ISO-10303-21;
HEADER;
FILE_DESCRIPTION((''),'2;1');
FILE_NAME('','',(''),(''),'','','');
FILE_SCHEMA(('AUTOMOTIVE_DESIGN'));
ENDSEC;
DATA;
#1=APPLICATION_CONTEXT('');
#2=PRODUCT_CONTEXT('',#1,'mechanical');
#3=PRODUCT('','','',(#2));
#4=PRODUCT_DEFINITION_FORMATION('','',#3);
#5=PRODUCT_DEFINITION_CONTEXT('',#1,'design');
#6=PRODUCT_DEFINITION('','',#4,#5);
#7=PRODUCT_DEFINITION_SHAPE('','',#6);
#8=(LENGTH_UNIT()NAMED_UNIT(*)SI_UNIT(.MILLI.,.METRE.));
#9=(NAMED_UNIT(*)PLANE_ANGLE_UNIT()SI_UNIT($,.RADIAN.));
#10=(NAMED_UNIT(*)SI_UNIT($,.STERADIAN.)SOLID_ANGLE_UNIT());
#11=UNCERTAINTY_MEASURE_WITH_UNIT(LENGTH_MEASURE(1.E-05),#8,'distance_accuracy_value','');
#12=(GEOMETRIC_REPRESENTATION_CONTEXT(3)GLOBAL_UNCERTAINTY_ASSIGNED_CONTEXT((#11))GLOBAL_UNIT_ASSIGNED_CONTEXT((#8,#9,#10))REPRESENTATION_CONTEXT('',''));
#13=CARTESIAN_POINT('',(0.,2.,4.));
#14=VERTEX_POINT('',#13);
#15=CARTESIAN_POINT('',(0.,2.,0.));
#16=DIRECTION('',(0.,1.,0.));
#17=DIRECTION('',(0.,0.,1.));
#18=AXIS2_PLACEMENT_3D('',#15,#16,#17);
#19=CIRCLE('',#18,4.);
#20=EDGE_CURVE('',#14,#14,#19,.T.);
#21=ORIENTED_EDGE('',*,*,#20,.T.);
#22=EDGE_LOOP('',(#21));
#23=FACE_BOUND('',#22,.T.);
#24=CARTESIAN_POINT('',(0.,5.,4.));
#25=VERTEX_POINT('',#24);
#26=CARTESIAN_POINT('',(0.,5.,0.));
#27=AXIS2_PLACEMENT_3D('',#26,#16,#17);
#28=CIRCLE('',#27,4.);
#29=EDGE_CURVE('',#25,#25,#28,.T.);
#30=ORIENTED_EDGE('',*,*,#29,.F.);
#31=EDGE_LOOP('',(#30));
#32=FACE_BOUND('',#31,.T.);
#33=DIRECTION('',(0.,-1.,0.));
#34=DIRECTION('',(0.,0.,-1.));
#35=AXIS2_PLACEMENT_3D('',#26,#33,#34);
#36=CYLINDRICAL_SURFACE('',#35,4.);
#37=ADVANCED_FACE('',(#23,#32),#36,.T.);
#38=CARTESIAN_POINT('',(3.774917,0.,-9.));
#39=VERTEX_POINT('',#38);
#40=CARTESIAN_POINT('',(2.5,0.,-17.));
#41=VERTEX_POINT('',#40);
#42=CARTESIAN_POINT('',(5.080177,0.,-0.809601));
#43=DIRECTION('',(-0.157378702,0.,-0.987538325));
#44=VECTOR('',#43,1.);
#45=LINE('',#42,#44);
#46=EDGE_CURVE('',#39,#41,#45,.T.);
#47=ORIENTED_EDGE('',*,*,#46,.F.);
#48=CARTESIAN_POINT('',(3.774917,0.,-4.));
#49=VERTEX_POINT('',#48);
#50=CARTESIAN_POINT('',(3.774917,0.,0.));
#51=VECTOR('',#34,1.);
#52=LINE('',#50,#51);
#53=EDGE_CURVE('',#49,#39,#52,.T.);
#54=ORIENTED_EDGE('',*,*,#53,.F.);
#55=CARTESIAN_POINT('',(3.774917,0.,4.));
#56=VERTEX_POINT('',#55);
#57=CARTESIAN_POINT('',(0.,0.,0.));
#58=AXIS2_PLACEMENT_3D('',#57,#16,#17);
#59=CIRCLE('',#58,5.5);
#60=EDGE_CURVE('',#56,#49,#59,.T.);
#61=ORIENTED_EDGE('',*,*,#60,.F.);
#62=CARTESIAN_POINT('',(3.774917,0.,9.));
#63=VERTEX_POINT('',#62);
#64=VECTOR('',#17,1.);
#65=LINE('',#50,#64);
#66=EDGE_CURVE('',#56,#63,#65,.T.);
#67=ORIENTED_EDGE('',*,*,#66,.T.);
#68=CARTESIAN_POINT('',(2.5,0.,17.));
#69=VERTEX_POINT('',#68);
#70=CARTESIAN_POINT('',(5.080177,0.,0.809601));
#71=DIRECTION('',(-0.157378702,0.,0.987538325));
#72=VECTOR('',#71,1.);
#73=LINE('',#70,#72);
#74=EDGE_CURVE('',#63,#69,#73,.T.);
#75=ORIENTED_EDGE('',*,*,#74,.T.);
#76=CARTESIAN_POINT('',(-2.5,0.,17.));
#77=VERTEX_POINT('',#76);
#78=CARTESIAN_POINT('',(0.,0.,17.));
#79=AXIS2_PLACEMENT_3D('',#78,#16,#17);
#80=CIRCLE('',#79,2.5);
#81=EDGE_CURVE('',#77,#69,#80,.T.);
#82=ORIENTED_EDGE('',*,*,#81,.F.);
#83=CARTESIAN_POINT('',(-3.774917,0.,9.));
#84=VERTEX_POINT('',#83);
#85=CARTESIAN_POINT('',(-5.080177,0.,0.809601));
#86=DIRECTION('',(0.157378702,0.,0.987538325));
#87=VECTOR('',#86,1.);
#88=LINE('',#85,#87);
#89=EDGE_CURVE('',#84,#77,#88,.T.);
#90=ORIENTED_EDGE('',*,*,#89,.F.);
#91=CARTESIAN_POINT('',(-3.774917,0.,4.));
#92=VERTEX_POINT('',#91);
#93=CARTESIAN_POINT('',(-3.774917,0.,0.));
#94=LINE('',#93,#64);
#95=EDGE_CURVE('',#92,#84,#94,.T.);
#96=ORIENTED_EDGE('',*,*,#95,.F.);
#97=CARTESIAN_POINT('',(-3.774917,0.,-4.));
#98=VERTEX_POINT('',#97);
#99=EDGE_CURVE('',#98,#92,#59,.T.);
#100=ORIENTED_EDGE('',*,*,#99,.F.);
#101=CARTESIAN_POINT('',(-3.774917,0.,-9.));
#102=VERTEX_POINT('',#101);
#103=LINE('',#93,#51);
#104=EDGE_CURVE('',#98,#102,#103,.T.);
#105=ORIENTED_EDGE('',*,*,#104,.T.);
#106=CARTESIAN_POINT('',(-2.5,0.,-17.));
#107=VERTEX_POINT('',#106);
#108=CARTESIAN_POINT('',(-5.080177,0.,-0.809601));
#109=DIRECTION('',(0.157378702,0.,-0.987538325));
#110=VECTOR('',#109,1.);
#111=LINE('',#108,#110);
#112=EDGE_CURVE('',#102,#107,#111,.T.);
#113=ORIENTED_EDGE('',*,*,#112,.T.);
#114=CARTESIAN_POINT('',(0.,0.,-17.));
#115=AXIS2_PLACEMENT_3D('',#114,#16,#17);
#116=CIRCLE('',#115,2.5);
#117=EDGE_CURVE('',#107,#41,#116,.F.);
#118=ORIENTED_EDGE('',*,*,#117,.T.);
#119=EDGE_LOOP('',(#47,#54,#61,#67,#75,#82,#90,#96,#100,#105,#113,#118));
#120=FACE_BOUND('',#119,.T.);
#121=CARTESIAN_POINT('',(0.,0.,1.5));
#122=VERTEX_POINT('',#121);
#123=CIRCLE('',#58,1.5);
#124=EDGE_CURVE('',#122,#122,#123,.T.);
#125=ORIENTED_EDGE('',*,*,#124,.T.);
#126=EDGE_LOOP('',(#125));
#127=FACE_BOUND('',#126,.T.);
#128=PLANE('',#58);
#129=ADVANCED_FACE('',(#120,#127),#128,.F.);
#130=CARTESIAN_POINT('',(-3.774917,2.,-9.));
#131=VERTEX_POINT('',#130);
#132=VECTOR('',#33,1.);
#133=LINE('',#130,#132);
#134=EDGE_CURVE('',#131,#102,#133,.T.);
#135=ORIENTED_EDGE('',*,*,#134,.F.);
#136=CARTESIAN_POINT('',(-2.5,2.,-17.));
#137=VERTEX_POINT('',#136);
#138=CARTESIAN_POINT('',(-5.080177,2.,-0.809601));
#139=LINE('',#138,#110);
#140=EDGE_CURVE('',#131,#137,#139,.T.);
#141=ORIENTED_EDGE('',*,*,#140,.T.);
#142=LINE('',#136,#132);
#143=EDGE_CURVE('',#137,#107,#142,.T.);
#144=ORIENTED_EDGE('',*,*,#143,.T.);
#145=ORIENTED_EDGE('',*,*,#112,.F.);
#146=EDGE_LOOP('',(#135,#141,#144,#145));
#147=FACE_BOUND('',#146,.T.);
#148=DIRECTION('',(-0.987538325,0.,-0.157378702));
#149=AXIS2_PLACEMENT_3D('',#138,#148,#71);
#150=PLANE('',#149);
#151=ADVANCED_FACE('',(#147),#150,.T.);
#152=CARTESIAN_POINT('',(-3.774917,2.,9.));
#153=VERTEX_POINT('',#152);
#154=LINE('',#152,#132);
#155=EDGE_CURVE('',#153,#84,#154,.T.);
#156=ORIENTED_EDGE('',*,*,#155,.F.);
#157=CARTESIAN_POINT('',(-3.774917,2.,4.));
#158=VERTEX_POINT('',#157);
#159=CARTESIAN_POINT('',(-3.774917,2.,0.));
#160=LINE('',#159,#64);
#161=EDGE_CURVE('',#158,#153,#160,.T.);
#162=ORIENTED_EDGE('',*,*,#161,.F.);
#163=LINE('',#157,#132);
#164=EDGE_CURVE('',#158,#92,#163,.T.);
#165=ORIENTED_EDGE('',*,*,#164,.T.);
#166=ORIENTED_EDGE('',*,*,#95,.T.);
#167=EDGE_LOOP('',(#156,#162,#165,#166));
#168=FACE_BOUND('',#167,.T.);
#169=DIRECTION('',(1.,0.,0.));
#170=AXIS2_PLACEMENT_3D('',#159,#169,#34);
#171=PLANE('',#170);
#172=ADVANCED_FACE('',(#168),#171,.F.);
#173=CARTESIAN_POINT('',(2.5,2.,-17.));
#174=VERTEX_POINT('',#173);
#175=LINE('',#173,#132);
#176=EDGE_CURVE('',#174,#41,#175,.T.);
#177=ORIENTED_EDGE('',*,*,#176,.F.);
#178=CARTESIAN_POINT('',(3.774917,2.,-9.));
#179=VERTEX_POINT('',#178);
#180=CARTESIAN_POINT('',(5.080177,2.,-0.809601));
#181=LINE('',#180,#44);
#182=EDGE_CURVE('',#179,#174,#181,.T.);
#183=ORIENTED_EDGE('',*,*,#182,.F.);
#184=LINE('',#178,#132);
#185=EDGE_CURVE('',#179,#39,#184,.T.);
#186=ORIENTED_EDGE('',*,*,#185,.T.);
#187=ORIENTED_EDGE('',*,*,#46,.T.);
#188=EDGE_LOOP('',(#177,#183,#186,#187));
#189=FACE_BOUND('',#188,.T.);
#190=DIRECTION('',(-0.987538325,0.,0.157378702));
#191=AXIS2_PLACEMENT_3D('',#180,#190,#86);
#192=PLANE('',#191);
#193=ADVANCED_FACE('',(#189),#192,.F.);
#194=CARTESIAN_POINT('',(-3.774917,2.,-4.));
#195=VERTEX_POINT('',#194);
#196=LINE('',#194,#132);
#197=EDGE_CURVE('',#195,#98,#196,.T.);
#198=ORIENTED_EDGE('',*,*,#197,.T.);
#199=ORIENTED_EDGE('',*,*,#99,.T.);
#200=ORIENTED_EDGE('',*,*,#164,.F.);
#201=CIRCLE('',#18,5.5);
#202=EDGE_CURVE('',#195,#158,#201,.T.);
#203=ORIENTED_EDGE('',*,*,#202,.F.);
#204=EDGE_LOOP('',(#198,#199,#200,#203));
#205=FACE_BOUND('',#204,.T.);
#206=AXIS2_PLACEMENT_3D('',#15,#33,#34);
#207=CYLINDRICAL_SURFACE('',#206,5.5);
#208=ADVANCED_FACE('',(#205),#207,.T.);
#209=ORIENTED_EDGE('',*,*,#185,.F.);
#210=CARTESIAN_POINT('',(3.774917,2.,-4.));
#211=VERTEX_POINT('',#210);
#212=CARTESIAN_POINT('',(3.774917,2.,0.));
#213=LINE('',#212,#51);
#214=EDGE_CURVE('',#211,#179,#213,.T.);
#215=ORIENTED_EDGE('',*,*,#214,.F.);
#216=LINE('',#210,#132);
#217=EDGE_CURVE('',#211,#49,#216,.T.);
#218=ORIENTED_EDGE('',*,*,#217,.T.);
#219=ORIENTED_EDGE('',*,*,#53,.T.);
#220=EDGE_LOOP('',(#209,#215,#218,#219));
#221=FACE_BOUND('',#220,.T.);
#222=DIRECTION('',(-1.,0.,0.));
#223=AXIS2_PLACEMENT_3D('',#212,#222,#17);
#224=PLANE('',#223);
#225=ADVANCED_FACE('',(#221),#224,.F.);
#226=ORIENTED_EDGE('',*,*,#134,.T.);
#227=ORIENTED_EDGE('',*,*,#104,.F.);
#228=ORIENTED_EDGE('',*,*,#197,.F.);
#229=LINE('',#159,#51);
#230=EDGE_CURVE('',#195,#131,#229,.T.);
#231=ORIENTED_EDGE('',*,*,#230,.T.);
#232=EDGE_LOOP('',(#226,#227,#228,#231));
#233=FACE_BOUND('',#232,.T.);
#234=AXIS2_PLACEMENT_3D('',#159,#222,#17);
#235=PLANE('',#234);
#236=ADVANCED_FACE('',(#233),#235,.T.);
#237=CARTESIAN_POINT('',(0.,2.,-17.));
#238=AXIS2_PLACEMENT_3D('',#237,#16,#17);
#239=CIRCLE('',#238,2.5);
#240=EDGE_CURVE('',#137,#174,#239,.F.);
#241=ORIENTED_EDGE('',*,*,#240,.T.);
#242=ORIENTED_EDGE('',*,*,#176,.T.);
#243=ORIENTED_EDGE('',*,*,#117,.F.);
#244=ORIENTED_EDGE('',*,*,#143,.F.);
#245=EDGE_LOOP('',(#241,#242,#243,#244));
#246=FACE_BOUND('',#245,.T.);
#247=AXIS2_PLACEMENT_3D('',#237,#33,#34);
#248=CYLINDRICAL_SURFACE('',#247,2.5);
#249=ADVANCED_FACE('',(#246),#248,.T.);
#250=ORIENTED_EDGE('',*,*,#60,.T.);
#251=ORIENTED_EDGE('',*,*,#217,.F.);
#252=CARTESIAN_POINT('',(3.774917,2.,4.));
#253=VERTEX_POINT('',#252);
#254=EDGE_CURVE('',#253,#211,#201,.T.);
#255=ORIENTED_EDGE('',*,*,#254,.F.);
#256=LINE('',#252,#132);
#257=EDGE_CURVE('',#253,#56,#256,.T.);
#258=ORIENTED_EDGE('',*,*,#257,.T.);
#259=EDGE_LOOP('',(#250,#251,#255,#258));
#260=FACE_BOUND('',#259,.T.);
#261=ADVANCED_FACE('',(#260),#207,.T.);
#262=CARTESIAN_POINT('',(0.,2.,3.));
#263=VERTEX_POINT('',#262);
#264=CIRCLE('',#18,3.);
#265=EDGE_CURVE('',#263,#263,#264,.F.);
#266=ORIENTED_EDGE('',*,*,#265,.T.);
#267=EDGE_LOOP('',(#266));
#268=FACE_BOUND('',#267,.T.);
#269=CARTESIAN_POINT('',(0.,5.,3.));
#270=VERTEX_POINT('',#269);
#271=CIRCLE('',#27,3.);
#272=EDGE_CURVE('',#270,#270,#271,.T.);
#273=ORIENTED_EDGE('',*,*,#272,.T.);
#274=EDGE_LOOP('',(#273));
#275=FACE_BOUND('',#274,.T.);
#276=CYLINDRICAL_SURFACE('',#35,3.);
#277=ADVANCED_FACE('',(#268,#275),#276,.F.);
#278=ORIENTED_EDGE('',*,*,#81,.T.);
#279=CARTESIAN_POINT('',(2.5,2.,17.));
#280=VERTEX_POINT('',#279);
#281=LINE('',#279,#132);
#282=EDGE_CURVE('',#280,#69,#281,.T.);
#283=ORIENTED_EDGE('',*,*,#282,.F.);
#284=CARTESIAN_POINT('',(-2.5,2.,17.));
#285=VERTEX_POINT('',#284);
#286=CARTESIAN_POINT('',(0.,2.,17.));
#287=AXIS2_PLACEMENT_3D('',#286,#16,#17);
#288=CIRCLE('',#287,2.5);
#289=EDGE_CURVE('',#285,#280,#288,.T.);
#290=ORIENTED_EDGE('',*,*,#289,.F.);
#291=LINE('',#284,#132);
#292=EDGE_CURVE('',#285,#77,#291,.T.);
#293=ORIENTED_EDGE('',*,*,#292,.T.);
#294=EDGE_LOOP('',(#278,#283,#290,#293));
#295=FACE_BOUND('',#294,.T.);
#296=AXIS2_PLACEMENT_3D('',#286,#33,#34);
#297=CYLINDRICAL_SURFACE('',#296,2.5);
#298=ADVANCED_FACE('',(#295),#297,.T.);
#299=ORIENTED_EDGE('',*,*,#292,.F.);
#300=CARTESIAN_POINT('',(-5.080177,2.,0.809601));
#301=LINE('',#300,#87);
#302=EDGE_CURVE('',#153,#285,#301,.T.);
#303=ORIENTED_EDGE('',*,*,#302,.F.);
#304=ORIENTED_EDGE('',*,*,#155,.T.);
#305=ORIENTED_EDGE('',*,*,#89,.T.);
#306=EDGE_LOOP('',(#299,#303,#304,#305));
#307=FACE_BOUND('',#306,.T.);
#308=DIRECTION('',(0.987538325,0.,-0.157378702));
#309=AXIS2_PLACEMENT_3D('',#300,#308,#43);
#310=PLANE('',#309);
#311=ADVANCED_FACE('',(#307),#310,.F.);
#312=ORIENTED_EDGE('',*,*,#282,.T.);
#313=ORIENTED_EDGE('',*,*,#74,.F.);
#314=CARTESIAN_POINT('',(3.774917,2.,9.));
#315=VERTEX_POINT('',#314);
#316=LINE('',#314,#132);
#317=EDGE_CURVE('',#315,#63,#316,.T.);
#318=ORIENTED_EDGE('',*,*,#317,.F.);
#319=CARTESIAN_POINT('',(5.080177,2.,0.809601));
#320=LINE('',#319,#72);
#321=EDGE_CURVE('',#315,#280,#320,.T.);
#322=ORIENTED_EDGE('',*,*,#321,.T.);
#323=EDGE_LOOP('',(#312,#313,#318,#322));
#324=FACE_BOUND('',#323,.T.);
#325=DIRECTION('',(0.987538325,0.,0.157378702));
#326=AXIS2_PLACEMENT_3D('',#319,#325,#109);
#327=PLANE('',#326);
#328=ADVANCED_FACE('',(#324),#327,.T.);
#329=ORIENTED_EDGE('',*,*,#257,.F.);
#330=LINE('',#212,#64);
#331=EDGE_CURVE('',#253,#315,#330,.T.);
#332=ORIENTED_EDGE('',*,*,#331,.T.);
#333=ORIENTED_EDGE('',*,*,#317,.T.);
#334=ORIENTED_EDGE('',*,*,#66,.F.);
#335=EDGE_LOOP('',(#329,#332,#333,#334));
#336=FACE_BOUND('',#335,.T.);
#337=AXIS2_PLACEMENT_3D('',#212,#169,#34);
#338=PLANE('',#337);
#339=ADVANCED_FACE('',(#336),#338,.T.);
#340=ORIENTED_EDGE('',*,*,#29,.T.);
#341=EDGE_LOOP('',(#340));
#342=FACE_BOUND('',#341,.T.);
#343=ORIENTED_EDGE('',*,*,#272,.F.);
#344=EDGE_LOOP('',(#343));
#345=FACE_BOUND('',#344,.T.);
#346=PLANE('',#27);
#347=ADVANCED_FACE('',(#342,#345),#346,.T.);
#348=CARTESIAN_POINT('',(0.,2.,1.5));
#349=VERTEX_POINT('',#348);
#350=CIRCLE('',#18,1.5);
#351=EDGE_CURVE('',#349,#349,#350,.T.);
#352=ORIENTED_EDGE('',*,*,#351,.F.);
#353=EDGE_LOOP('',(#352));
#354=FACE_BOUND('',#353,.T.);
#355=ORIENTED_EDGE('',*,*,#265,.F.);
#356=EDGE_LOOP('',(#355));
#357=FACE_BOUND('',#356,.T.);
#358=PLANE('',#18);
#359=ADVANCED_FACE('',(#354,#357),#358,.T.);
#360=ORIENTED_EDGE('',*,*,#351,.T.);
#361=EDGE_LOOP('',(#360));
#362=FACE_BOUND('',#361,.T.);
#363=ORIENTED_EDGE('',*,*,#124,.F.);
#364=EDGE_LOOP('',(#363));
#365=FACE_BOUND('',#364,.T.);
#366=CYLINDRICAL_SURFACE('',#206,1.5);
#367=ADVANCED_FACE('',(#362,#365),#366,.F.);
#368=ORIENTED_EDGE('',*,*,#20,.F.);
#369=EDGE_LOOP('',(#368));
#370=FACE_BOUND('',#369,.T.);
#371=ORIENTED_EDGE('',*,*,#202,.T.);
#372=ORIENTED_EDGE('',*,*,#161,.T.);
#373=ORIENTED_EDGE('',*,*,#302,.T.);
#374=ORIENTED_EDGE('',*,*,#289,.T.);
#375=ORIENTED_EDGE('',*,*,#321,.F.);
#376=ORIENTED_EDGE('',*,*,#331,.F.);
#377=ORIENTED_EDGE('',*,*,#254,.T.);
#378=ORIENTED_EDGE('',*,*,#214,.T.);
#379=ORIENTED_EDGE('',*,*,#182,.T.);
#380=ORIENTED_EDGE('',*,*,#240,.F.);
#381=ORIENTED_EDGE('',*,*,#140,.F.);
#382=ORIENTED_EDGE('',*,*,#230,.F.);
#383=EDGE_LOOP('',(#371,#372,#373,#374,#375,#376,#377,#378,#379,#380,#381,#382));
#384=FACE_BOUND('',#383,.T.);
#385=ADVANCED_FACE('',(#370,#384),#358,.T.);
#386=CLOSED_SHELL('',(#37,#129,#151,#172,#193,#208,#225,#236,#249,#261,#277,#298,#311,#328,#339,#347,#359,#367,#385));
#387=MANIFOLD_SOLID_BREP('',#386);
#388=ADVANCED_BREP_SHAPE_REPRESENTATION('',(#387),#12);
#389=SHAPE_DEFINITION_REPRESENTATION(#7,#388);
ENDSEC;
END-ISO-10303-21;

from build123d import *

# Parameters (mm, degrees)
SKETCH1_R           = 1.5
BOSS_EXTRUDE1_DEPTH = 2
SKETCH2_R           = 4
SKETCH2_R_2         = 3
BOSS_EXTRUDE2_DEPTH = 3


with BuildPart() as part:
    # Sketch1 → Boss-Extrude1 (new body)
    # profile 1 of 5: a face of its own
    with BuildSketch(Plane(origin=(0, 0, 0), x_dir=(1, 0, 0), z_dir=(0, 1, 0))):
        with BuildLine():
            Line((-3.774917218, 9), (-3.774917218, 4))
            ThreePointArc((-3.774917218, 4), (0, 5.5), (3.774917218, 4))
            Line((3.774917218, 4), (3.774917218, 9))
            Line((3.774917218, 9), (2.5, 17))
            ThreePointArc((2.5, 17), (0, 19.5), (-2.5, 17))
            Line((-2.5, 17), (-3.774917218, 9))
        make_face()
    # profile 2 of 5: a face of its own
    with BuildSketch(Plane(origin=(0, 0, 0), x_dir=(1, 0, 0), z_dir=(0, 1, 0))):
        with BuildLine():
            Line((3.774917218, 4), (-3.774917218, 4))
            ThreePointArc((-3.774917218, 4), (-5.5, 0), (-3.774917218, -4))
            Line((-3.774917218, -4), (3.774917218, -4))
            ThreePointArc((3.774917218, -4), (5.050348735, -2.178067412), (5.5, 0))
            ThreePointArc((5.5, 0), (5.050348735, 2.178067412), (3.774917218, 4))
        make_face()
        with Locations(Location((0, 0, 0), (0, 0, 270))):
            Circle(SKETCH1_R, mode=Mode.SUBTRACT)
    # profile 3 of 5: a face of its own
    with BuildSketch(Plane(origin=(0, 0, 0), x_dir=(1, 0, 0), z_dir=(0, 1, 0))):
        with BuildLine():
            ThreePointArc((3.774917218, 4), (0, 5.5), (-3.774917218, 4))
            Line((-3.774917218, 4), (3.774917218, 4))
        make_face()
    # profile 4 of 5: a face of its own
    with BuildSketch(Plane(origin=(0, 0, 0), x_dir=(1, 0, 0), z_dir=(0, 1, 0))):
        with BuildLine():
            Line((3.774917218, -4), (-3.774917218, -4))
            ThreePointArc((-3.774917218, -4), (0, -5.5), (3.774917218, -4))
        make_face()
    # profile 5 of 5: a face of its own
    with BuildSketch(Plane(origin=(0, 0, 0), x_dir=(1, 0, 0), z_dir=(0, 1, 0))):
        with BuildLine():
            ThreePointArc((3.774917218, -4), (0, -5.5), (-3.774917218, -4))
            Line((-3.774917218, -4), (-3.774917218, -9))
            Line((-3.774917218, -9), (-2.5, -17))
            ThreePointArc((-2.5, -17), (0, -19.5), (2.5, -17))
            Line((2.5, -17), (3.774917218, -9))
            Line((3.774917218, -9), (3.774917218, -4))
        make_face()
    extrude(amount=BOSS_EXTRUDE1_DEPTH)

    # Sketch2 → Boss-Extrude2 (add)
    with BuildSketch(Plane(origin=(0, 2, 0), x_dir=(1, 0, 0), z_dir=(0, 1, 0))):
        with Locations(Location((0, 0, 0), (0, 0, 270))):
            Circle(SKETCH2_R)
        with Locations(Location((0, 0, 0), (0, 0, 270))):
            Circle(SKETCH2_R_2, mode=Mode.SUBTRACT)
    extrude(amount=BOSS_EXTRUDE2_DEPTH)


solid = part.part
